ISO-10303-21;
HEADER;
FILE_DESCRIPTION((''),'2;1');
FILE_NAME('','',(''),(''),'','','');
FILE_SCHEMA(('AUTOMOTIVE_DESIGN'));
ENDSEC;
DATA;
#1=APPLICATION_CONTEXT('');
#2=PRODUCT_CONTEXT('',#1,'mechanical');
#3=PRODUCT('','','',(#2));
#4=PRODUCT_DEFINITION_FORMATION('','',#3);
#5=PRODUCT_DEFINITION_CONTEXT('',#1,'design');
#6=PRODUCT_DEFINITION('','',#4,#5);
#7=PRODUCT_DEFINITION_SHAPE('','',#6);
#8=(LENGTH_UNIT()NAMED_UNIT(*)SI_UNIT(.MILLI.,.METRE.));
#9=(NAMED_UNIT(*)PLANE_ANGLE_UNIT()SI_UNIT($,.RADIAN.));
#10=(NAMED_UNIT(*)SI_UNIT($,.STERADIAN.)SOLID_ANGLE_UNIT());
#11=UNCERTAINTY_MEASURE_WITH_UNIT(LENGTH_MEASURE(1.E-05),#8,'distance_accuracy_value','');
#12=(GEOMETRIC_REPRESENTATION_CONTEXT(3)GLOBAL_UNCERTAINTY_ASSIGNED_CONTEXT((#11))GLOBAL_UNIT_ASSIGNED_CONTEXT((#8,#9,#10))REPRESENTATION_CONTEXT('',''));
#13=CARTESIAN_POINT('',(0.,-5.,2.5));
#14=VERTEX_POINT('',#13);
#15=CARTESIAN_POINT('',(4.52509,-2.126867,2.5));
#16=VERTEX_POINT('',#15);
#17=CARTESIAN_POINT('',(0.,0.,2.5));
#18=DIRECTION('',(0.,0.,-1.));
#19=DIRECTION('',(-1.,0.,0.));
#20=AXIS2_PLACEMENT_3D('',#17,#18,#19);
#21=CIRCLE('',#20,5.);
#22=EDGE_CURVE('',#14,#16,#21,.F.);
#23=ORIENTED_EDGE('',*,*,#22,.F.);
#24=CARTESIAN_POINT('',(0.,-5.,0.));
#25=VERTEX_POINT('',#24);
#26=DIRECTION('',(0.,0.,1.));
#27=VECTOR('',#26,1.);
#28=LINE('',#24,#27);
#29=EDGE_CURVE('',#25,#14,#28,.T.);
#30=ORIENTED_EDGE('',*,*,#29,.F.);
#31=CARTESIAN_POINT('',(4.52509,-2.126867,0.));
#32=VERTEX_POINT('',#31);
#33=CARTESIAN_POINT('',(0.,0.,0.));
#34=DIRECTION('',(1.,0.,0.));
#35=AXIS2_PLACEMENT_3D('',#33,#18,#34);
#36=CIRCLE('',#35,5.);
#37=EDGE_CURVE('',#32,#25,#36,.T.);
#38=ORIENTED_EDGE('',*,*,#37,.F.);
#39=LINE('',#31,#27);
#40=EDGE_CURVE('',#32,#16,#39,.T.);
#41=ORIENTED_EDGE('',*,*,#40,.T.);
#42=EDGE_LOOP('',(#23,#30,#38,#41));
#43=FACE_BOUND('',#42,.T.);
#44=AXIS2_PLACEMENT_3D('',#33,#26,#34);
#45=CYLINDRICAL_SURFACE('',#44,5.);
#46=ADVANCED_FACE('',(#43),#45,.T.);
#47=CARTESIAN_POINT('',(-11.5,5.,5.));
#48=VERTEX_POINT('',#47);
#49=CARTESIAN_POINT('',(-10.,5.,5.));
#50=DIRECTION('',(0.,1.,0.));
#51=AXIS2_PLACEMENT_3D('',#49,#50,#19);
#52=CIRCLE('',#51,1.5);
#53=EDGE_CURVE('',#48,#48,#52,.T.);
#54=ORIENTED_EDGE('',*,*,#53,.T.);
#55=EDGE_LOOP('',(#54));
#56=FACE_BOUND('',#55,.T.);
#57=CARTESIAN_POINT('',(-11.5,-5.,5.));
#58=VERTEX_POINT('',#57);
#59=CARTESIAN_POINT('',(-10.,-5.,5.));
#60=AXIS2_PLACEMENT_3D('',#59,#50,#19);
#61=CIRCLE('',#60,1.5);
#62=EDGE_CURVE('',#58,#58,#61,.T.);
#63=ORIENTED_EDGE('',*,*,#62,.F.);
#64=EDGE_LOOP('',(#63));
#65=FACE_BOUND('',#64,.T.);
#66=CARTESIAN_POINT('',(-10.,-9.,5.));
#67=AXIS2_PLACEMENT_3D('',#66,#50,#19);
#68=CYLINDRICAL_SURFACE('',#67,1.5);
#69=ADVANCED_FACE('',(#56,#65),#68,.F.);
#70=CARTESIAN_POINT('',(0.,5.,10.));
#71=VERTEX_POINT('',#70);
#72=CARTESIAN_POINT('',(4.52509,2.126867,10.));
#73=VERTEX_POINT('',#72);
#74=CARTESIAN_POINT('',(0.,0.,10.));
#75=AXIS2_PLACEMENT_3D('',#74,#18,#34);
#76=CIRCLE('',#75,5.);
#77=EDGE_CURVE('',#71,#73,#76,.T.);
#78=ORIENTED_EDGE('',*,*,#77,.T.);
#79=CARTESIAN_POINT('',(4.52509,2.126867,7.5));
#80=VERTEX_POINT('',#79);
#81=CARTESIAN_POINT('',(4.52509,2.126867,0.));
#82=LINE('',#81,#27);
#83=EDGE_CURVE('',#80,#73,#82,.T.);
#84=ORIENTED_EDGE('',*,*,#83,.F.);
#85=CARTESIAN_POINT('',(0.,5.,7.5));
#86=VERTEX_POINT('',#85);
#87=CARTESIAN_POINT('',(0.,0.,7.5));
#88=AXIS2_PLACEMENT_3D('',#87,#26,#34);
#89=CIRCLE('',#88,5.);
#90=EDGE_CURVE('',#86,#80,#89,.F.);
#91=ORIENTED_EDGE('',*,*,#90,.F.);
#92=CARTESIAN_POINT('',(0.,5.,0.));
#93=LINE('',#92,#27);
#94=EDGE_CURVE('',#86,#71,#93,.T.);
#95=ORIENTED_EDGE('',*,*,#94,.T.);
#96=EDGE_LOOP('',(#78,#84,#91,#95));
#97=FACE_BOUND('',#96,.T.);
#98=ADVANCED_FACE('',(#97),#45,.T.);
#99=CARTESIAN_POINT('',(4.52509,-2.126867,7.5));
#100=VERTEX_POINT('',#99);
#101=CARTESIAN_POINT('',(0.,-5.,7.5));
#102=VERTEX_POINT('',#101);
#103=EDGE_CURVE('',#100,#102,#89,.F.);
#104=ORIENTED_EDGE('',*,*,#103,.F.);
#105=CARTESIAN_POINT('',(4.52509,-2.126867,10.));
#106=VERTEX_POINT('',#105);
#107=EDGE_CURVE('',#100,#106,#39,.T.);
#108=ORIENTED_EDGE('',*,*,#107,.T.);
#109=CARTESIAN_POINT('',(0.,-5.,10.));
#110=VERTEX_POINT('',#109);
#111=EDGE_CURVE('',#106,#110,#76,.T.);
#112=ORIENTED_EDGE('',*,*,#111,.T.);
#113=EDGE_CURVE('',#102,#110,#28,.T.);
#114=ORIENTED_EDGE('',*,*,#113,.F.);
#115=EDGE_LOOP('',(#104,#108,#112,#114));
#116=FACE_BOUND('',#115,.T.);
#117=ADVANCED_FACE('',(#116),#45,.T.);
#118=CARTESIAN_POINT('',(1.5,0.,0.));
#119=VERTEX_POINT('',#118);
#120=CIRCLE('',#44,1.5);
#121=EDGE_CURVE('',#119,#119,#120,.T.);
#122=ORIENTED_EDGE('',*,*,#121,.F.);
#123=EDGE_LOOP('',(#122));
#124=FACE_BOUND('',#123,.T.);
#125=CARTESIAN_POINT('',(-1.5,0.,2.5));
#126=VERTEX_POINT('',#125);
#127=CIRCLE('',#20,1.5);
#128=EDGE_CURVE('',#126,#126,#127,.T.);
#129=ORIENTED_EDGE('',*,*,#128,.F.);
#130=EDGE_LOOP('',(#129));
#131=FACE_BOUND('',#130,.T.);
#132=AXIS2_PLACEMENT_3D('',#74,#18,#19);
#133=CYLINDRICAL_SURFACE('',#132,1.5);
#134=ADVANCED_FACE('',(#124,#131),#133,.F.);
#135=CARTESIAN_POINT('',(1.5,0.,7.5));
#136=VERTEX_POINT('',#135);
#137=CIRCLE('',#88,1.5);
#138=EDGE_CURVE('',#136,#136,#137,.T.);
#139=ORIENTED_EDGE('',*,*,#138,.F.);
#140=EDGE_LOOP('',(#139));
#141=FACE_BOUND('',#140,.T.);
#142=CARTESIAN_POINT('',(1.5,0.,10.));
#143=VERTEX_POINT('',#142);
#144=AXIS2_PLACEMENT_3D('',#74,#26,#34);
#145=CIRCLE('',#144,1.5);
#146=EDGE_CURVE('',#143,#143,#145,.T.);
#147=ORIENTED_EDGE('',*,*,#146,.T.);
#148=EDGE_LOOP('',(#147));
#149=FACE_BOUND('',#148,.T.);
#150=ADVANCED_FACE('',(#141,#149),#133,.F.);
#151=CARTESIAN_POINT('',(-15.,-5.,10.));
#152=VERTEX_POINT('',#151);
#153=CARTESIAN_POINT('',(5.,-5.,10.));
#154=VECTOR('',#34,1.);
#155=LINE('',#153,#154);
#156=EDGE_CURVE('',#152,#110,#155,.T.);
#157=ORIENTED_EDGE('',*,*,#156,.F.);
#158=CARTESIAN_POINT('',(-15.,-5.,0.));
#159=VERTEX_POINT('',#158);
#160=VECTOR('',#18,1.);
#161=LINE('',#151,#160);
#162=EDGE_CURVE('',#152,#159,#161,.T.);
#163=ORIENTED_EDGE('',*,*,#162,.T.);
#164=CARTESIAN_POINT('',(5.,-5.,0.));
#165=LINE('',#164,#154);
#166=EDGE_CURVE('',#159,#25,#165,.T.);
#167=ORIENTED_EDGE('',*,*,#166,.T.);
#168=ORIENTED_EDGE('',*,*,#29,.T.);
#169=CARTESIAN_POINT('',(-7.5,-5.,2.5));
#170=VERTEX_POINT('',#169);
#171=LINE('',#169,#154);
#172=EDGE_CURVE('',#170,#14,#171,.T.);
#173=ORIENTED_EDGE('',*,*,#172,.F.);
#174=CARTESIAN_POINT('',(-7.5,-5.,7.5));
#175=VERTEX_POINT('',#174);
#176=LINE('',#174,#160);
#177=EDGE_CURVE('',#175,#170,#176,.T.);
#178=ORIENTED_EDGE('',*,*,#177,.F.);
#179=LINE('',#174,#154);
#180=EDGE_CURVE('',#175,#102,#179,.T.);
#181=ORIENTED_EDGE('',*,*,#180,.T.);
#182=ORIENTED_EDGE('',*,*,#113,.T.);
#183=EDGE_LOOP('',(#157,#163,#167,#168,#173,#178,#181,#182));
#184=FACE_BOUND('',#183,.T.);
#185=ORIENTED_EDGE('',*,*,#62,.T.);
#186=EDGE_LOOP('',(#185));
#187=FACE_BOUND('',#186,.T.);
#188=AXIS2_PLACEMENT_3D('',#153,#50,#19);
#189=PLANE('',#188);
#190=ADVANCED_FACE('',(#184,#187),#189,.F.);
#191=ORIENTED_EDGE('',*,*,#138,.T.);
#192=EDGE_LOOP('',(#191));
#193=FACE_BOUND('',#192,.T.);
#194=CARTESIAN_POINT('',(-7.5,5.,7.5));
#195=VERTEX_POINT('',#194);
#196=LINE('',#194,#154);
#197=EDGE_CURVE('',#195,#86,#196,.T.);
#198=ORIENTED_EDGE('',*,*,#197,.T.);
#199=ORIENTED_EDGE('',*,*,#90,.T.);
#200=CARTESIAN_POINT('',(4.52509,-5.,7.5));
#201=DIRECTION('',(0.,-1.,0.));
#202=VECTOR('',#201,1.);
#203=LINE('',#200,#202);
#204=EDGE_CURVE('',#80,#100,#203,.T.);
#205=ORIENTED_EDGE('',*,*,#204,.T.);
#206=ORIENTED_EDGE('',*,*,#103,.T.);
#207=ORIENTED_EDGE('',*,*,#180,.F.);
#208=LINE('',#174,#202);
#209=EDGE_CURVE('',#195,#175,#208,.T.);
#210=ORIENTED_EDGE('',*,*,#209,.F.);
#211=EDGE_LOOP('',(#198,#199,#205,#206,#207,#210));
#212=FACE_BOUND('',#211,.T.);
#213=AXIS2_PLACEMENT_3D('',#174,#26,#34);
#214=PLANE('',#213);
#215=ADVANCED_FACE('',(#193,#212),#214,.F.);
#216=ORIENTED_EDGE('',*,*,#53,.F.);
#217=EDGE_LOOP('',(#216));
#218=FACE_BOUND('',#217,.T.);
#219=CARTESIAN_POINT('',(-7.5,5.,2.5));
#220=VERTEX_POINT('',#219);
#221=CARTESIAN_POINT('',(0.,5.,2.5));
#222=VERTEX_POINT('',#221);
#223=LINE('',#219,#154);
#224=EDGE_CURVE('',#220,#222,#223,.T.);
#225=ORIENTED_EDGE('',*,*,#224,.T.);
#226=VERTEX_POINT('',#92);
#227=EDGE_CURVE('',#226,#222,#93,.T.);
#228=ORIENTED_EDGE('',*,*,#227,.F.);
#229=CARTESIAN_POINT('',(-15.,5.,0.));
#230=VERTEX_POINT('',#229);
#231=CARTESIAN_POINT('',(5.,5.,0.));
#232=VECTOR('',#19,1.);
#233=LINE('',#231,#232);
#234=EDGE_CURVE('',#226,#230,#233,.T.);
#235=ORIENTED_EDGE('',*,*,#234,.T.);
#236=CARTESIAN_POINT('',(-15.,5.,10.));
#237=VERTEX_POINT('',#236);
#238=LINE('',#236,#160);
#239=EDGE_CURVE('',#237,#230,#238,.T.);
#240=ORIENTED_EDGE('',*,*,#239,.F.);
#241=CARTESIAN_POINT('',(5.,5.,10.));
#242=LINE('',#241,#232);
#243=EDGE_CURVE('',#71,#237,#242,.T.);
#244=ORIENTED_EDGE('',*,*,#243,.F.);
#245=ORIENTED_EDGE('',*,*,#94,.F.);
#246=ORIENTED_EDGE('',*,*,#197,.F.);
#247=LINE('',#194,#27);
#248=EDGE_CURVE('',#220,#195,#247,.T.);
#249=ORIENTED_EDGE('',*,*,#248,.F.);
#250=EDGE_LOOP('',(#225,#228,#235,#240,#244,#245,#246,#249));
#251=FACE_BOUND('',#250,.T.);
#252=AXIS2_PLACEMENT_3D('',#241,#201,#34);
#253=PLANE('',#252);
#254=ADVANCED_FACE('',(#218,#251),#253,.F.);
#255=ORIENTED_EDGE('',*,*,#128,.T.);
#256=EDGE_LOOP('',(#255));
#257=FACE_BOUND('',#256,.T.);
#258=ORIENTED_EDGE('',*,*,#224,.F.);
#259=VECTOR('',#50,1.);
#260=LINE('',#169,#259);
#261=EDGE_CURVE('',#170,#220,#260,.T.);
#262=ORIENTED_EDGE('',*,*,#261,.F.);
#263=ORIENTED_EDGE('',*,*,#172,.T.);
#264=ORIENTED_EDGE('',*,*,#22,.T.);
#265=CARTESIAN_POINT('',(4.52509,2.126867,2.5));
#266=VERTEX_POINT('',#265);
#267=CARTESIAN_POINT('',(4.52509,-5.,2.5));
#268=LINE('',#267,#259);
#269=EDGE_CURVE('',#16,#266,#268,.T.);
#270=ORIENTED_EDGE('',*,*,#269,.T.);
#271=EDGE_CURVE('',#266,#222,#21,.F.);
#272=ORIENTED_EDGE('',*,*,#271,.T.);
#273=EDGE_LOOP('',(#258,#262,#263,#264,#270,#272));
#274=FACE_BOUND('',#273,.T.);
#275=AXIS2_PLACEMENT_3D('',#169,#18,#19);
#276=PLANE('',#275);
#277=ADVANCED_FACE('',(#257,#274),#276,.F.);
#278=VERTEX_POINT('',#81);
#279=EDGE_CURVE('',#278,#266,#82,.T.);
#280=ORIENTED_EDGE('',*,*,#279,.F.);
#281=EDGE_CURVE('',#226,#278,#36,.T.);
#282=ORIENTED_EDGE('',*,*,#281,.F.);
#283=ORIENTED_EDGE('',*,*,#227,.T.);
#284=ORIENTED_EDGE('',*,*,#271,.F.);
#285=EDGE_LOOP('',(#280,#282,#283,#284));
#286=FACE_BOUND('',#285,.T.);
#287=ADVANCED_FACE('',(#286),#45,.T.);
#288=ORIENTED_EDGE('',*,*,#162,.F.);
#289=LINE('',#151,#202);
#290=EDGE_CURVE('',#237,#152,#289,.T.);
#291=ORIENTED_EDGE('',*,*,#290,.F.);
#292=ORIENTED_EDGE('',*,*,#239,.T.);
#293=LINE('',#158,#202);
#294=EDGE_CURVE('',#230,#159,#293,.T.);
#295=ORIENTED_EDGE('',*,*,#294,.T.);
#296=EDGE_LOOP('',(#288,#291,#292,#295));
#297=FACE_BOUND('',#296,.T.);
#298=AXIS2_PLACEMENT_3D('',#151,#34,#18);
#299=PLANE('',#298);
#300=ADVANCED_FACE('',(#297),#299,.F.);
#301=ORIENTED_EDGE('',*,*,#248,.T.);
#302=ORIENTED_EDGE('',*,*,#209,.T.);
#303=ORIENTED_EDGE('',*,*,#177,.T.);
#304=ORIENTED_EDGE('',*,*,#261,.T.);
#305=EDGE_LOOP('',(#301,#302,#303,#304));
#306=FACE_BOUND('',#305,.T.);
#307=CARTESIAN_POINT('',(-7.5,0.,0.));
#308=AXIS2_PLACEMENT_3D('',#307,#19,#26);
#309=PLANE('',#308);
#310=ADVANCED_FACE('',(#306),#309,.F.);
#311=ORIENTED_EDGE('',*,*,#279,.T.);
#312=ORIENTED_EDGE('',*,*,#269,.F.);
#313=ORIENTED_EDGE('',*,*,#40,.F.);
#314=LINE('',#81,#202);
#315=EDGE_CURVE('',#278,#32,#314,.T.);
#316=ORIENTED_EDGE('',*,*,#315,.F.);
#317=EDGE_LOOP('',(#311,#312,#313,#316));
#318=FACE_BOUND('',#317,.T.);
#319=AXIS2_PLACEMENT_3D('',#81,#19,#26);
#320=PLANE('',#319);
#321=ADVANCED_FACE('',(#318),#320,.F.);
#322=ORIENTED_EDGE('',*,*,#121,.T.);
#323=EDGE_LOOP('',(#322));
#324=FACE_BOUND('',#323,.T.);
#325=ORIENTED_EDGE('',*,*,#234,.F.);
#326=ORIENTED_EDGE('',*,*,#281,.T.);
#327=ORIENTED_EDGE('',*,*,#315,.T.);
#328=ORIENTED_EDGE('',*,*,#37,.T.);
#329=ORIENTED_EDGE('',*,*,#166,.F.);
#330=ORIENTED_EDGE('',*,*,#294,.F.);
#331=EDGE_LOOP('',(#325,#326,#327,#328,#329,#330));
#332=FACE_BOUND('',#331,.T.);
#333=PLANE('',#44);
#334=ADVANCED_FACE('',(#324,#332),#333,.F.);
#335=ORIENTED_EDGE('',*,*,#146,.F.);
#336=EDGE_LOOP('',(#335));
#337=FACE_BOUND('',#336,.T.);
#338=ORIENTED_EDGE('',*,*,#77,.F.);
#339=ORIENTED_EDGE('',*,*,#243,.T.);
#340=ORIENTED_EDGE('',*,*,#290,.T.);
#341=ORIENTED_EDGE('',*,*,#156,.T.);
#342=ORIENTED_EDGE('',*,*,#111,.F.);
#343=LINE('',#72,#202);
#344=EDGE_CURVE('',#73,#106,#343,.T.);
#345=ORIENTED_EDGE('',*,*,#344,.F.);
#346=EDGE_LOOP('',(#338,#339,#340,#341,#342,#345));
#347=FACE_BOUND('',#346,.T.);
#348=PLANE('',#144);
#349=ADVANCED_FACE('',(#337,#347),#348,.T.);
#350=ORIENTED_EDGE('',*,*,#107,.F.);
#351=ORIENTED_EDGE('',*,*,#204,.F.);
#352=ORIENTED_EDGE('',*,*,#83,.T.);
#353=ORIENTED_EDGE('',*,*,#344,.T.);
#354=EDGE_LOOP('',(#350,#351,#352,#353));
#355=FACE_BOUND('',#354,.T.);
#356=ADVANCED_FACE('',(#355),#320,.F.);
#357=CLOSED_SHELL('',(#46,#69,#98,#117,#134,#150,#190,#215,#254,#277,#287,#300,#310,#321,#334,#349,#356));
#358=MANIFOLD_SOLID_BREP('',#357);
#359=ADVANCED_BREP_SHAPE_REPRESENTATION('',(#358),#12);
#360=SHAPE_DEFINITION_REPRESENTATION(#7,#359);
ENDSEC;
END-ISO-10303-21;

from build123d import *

# Parameters (mm, degrees)
CROQUIS1_W              = 20
CROQUIS1_H              = 10
CROQUIS1_R              = 1.5
SALIENTE_EXTRUIR1_DEPTH = 10
CROQUIS2_R              = 1.5
CORTAR_EXTRUIR1_DEPTH   = 14
CROQUIS3_W              = 5
CROQUIS3_H              = 10
CORTAR_EXTRUIR2_DEPTH   = 12.5
CUT_EXTRUDE1_DEPTH      = 10


with BuildPart() as part:
    # Croquis1 → Saliente-Extruir1 (new body)
    with BuildSketch(Plane.XY):
        with Locations((-5, 0)):
            Rectangle(CROQUIS1_W, CROQUIS1_H)
        Circle(CROQUIS1_R, mode=Mode.SUBTRACT)
    extrude(amount=SALIENTE_EXTRUIR1_DEPTH)

    # Croquis2 → Cortar-Extruir1 (cut)
    with BuildSketch(Plane(origin=(0, 5, 0), x_dir=(1, 0, 0), z_dir=(0, 1, 0))):
        with Locations(Location((-10, -5, 0), (0, 0, 180))):
            Circle(CROQUIS2_R)
    extrude(amount=-CORTAR_EXTRUIR1_DEPTH, mode=Mode.SUBTRACT)

    # Croquis3 → Cortar-Extruir2 (cut)
    with BuildSketch(Plane(origin=(5, 0, 0), x_dir=(0, 0, -1), z_dir=(1, 0, 0))):
        with Locations((-5, 0)):
            Rectangle(CROQUIS3_W, CROQUIS3_H)
    extrude(amount=-CORTAR_EXTRUIR2_DEPTH, mode=Mode.SUBTRACT)

    # Sketch1 → Cut-Extrude1 (cut)
    with BuildSketch(Plane.XY.offset(10)):
        with BuildLine():
            Line((0, 5), (5.992915048, 5))
            Line((5.992915048, 5), (5.992915048, -6.748814934))
            Line((5.992915048, -6.748814934), (0, -5))
            ThreePointArc((0, -5), (2.680080756, -4.221038633), (4.525089765, -2.126866856))
            Line((4.525089765, -2.126866856), (4.525089765, 2.126866856))
            ThreePointArc((4.525089765, 2.126866856), (2.680080756, 4.221038633), (0, 5))
        make_face()
    extrude(amount=-CUT_EXTRUDE1_DEPTH, mode=Mode.SUBTRACT)


solid = part.part
